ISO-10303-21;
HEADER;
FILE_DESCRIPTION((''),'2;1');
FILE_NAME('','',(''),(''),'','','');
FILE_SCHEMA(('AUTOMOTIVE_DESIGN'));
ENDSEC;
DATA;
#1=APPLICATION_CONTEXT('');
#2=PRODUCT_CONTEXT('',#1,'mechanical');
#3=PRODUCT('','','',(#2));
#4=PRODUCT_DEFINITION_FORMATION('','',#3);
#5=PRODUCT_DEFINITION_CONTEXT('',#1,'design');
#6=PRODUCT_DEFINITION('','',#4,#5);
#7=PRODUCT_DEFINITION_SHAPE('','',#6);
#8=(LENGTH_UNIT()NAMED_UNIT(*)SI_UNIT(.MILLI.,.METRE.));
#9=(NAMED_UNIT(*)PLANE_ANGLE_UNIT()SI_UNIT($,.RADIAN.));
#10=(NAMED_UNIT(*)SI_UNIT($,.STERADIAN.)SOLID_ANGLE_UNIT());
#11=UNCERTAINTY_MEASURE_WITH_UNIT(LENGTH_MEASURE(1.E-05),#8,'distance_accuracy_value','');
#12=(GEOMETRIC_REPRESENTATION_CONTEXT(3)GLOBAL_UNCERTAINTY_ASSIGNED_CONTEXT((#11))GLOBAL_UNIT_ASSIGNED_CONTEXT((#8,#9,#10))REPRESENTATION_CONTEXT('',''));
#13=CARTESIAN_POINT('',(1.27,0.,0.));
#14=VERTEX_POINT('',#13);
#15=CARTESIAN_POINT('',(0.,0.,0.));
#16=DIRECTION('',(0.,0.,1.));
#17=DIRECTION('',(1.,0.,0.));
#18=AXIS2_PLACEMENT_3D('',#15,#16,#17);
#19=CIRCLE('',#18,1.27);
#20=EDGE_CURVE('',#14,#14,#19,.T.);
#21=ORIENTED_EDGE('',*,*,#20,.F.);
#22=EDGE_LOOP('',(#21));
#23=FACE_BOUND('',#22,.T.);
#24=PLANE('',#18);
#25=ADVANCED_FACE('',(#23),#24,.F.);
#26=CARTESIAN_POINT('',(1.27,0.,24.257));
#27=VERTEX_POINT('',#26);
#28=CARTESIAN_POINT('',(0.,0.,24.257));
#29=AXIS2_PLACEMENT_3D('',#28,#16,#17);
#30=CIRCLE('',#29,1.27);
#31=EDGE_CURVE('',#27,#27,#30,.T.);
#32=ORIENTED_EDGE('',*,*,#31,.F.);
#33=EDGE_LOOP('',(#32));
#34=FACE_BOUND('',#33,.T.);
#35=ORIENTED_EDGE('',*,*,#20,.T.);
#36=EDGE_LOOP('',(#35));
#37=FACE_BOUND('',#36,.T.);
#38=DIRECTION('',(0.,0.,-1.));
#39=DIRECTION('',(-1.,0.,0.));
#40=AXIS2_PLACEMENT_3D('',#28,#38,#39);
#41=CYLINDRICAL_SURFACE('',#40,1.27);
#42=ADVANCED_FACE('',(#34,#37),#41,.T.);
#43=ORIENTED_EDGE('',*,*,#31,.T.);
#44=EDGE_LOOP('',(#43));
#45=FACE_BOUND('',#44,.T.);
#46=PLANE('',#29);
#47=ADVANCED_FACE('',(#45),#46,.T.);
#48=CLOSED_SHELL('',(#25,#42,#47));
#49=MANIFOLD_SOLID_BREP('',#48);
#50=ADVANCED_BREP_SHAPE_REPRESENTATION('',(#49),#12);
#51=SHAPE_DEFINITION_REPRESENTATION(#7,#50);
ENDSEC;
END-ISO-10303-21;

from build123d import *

# Parameters (mm, degrees)
SKETCH9_R      = 1.27
EXTRUDE2_DEPTH = 24.257


with BuildPart() as part:
    # Sketch9 → Extrude2 (new body)
    with BuildSketch(Plane.XY):
        Circle(SKETCH9_R)
    extrude(amount=EXTRUDE2_DEPTH)


solid = part.part
